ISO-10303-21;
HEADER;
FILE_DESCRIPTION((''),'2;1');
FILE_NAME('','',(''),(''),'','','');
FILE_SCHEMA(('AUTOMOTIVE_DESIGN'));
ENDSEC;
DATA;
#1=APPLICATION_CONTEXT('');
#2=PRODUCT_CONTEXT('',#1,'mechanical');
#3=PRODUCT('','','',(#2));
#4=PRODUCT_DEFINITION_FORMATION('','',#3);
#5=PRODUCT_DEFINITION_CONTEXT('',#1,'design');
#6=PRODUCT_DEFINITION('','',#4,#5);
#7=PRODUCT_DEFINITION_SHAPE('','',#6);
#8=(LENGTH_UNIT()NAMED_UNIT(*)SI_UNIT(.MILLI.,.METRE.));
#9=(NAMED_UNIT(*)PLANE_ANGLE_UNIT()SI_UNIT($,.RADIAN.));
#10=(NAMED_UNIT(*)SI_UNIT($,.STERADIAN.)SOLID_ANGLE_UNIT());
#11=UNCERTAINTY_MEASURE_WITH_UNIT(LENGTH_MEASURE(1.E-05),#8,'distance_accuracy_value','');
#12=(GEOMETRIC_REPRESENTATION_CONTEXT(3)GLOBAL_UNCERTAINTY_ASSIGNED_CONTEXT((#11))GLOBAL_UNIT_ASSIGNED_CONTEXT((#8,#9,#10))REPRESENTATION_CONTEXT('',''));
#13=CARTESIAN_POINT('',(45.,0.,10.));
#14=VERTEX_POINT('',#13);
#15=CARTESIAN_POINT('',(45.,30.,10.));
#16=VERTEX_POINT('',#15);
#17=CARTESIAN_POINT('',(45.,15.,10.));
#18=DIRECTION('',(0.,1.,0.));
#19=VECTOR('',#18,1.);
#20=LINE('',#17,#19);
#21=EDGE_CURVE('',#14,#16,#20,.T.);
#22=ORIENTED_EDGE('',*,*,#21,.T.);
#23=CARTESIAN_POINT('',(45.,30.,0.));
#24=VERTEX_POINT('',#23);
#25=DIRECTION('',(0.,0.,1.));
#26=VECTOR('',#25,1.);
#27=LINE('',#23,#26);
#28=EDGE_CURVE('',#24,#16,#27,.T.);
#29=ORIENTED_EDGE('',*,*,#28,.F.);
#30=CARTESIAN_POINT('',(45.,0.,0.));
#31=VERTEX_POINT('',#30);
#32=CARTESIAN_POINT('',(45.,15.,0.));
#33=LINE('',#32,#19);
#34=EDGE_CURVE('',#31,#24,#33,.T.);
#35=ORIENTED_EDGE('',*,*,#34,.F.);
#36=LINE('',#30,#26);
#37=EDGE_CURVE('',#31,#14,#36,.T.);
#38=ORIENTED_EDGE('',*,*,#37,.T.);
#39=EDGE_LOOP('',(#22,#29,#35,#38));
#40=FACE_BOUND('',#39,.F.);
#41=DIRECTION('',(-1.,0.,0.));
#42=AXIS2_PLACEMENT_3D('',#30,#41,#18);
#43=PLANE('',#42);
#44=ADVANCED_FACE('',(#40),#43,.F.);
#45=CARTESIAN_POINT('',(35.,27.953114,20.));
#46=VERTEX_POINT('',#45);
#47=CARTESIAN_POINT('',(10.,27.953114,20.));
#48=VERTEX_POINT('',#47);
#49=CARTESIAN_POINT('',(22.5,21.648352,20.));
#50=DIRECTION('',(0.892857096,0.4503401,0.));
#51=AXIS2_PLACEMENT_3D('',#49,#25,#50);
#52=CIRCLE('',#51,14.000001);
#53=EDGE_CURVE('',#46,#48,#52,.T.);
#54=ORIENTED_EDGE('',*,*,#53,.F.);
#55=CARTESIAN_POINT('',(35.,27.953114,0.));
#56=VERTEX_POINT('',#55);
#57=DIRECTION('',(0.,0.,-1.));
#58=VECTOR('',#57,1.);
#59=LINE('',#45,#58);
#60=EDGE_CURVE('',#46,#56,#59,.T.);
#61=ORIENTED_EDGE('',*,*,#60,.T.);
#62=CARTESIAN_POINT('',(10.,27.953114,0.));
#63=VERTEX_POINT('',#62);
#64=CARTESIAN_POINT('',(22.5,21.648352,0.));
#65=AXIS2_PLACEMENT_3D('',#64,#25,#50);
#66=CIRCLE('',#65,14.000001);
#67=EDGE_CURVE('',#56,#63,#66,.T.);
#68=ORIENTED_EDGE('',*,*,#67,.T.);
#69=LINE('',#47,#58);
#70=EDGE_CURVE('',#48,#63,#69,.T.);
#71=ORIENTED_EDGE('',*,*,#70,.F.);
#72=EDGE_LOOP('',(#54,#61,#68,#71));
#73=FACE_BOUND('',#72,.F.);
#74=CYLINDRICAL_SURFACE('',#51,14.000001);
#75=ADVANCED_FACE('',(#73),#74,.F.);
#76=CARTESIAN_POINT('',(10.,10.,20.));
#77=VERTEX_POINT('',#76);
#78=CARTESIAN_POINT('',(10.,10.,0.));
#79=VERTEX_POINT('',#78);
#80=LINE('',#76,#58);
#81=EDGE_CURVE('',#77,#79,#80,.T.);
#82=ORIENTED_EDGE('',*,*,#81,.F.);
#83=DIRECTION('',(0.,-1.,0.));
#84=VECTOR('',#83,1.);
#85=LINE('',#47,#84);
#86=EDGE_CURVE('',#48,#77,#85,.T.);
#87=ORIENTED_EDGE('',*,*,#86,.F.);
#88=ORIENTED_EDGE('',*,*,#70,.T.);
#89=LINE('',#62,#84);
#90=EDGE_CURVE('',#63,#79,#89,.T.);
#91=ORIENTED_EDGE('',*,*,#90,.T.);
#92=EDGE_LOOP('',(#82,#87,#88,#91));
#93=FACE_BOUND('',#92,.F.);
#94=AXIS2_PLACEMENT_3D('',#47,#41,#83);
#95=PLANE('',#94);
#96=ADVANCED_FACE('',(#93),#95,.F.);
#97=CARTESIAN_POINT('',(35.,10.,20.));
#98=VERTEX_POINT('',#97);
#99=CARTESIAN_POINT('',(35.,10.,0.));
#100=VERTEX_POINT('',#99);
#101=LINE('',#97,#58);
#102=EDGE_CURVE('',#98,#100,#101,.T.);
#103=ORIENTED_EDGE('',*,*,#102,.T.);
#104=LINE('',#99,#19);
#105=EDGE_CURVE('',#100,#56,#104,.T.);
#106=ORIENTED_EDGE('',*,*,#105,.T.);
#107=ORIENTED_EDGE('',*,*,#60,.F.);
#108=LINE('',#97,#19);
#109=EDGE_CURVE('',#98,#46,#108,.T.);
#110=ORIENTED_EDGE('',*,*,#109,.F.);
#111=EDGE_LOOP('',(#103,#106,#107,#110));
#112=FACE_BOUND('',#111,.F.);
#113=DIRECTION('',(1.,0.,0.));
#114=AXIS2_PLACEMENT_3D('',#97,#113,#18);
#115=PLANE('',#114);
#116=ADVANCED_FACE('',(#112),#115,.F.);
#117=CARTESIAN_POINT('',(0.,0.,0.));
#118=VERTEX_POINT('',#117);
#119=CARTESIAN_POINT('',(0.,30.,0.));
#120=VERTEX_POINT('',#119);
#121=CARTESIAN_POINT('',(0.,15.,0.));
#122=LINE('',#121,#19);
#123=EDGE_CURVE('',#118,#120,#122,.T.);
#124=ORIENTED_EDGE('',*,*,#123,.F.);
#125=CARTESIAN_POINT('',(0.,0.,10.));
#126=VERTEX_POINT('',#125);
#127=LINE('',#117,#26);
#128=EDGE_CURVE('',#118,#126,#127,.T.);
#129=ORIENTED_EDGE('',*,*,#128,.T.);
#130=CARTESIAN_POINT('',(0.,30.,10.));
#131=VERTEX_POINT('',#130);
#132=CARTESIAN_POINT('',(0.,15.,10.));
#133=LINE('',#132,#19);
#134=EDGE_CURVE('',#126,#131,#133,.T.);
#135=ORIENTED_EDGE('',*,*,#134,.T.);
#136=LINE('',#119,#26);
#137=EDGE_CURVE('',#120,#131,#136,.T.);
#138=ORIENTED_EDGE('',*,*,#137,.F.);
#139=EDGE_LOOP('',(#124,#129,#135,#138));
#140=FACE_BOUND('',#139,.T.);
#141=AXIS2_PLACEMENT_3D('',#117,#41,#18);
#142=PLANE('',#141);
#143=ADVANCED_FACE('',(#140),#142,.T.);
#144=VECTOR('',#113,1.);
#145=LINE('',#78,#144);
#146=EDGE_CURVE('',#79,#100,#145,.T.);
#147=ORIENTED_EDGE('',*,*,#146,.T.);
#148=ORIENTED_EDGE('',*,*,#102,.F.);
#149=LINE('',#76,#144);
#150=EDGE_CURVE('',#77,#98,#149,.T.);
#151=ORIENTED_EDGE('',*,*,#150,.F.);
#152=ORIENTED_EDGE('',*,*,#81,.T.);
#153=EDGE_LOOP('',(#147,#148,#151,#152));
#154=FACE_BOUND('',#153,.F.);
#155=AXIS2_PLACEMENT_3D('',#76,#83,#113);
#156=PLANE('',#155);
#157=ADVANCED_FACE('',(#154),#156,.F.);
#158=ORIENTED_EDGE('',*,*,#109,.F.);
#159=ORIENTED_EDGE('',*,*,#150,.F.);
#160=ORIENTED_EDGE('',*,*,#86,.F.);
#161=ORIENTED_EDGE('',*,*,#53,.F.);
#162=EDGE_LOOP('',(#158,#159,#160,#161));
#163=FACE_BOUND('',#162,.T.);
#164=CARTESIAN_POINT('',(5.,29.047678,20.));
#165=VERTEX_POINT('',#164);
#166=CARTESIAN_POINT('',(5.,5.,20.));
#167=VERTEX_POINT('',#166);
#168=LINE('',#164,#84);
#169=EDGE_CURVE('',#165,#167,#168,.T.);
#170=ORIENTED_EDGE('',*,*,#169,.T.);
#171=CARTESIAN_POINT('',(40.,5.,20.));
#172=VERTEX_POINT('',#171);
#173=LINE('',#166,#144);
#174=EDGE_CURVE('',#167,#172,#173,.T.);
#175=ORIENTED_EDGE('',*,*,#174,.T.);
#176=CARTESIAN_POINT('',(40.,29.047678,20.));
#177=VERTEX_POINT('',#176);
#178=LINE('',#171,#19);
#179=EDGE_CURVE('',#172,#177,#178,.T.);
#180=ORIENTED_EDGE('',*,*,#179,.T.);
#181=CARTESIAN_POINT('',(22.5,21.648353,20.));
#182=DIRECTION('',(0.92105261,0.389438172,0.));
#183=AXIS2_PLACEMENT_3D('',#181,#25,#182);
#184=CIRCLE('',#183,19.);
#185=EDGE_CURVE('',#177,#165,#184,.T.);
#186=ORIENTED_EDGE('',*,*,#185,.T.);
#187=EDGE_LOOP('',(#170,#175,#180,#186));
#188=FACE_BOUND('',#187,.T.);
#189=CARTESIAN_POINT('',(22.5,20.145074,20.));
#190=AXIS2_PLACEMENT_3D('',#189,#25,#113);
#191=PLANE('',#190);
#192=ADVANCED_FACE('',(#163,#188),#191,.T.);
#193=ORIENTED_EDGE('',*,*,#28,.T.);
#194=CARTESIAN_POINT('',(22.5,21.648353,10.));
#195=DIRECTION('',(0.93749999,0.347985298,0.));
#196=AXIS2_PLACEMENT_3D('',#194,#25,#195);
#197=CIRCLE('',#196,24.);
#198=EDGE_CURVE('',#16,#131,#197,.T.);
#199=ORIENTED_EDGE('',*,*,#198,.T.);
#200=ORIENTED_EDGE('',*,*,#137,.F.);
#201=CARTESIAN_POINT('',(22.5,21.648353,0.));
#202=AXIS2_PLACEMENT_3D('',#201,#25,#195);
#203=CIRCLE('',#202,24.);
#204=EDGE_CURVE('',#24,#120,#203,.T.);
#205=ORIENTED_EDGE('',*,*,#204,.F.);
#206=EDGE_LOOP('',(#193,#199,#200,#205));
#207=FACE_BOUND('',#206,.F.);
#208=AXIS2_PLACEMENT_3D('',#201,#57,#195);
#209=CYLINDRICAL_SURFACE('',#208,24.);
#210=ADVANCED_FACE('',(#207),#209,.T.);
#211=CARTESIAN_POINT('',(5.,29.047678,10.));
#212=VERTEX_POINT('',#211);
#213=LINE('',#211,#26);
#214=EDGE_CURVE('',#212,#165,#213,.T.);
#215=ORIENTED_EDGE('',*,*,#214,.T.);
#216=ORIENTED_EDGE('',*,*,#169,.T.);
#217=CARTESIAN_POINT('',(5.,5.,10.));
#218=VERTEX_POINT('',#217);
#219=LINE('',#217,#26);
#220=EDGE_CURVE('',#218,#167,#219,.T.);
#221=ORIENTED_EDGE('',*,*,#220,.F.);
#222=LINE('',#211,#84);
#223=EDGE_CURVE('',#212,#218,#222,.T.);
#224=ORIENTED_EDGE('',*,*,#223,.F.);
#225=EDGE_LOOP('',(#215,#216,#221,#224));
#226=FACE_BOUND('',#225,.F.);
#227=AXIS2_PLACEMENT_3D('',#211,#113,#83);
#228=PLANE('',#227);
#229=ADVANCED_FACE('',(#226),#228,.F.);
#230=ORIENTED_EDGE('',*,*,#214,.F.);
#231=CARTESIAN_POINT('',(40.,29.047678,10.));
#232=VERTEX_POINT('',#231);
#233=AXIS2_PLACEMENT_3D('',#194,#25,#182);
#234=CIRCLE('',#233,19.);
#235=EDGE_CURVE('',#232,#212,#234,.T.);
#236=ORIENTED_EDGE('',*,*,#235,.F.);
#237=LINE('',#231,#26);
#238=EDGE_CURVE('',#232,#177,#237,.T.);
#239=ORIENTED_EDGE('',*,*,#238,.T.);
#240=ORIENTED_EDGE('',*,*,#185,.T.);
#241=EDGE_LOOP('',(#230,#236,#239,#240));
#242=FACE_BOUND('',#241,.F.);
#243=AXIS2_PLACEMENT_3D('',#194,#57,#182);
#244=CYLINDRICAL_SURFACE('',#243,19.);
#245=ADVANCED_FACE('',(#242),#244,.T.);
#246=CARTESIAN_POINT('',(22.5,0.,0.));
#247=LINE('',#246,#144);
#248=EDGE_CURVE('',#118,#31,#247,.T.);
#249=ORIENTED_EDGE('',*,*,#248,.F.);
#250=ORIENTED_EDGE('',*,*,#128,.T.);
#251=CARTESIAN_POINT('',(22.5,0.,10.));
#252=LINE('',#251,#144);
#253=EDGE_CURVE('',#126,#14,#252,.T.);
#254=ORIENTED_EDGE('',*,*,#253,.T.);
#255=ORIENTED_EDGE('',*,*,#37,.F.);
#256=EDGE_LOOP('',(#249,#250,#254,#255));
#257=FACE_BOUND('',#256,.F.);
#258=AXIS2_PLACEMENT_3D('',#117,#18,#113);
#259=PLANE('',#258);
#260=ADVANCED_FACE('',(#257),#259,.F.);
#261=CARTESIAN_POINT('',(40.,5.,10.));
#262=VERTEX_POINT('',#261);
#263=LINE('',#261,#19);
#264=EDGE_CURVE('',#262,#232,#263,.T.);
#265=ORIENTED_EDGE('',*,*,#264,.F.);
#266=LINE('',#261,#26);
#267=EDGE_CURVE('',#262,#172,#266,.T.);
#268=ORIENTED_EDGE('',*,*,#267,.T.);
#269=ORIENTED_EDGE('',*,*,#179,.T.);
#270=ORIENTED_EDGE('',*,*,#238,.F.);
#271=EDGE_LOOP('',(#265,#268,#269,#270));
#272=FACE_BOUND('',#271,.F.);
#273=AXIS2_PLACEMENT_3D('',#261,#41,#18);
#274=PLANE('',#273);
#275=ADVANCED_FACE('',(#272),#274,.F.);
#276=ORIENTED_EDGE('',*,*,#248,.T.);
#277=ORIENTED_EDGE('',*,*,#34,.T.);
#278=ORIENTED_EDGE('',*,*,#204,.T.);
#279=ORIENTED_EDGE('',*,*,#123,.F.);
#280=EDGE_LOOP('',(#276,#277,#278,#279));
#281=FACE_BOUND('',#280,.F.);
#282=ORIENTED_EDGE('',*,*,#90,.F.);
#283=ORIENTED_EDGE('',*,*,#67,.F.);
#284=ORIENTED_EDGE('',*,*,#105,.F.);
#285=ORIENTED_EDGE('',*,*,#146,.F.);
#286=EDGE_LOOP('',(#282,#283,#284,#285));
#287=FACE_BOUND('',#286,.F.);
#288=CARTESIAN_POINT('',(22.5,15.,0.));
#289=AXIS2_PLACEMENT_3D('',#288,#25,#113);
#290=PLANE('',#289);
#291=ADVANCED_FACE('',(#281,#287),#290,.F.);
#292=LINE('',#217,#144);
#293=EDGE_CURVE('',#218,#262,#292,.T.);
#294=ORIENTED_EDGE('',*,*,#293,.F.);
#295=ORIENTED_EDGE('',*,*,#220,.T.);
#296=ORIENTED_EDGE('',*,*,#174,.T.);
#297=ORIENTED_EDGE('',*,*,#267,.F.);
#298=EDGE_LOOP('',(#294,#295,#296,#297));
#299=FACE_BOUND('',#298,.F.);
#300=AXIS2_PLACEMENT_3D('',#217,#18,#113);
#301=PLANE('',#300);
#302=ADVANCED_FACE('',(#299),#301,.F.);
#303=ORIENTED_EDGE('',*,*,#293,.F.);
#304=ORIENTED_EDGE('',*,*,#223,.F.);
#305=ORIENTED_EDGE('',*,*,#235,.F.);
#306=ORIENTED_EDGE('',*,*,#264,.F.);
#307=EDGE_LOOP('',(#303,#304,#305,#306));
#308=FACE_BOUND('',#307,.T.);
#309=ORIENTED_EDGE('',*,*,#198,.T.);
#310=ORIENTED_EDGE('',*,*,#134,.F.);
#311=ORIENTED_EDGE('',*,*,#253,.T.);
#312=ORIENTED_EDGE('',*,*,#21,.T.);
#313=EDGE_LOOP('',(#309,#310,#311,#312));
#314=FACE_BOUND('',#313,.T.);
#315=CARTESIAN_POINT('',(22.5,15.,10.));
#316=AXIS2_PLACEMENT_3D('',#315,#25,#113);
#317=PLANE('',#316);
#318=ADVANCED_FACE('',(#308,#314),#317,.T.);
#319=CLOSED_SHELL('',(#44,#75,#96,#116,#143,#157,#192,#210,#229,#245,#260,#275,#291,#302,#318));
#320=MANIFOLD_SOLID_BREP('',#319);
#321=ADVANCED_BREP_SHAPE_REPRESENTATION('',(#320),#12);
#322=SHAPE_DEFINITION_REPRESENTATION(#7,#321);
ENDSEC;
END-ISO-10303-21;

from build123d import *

# Parameters (mm, degrees)
F0_W     = 45
F0_H     = 30
F1_DEPTH = 10
F3_DEPTH = 10
F5_DEPTH = 20


with BuildPart() as f1:
    # F0 (on Top) → F1 (new body)
    with BuildSketch(Plane.XY):
        with Locations((22.5, 15)):
            Rectangle(F0_W, F0_H)
        with BuildLine():
            ThreePointArc((45, 30), (22.5, 45.648353), (0, 30))
            Line((0, 30), (45, 30))
        make_face()
    extrude(amount=F1_DEPTH)

    # F2 (on face) → F3 (join)
    with BuildSketch(Plane.XY.offset(10)):
        with BuildLine():
            Line((5, 5), (40, 5))
            Line((40, 5), (40, 29.047678))
            ThreePointArc((40, 29.047678), (22.5, 40.648353), (5, 29.047678))
            Line((5, 29.047678), (5, 5))
        make_face()
    extrude(amount=F3_DEPTH)

    # F4 (on face) → F5 (cut)
    with BuildSketch(Plane.XY.offset(20)):
        with BuildLine():
            Line((10, 27.953114), (10, 10))
            Line((10, 10), (35, 10))
            Line((35, 10), (35, 27.953114))
            ThreePointArc((35, 27.953114), (22.5, 35.648353), (10, 27.953114))
        make_face()
    extrude(amount=-F5_DEPTH, mode=Mode.SUBTRACT)


solid = f1.part
